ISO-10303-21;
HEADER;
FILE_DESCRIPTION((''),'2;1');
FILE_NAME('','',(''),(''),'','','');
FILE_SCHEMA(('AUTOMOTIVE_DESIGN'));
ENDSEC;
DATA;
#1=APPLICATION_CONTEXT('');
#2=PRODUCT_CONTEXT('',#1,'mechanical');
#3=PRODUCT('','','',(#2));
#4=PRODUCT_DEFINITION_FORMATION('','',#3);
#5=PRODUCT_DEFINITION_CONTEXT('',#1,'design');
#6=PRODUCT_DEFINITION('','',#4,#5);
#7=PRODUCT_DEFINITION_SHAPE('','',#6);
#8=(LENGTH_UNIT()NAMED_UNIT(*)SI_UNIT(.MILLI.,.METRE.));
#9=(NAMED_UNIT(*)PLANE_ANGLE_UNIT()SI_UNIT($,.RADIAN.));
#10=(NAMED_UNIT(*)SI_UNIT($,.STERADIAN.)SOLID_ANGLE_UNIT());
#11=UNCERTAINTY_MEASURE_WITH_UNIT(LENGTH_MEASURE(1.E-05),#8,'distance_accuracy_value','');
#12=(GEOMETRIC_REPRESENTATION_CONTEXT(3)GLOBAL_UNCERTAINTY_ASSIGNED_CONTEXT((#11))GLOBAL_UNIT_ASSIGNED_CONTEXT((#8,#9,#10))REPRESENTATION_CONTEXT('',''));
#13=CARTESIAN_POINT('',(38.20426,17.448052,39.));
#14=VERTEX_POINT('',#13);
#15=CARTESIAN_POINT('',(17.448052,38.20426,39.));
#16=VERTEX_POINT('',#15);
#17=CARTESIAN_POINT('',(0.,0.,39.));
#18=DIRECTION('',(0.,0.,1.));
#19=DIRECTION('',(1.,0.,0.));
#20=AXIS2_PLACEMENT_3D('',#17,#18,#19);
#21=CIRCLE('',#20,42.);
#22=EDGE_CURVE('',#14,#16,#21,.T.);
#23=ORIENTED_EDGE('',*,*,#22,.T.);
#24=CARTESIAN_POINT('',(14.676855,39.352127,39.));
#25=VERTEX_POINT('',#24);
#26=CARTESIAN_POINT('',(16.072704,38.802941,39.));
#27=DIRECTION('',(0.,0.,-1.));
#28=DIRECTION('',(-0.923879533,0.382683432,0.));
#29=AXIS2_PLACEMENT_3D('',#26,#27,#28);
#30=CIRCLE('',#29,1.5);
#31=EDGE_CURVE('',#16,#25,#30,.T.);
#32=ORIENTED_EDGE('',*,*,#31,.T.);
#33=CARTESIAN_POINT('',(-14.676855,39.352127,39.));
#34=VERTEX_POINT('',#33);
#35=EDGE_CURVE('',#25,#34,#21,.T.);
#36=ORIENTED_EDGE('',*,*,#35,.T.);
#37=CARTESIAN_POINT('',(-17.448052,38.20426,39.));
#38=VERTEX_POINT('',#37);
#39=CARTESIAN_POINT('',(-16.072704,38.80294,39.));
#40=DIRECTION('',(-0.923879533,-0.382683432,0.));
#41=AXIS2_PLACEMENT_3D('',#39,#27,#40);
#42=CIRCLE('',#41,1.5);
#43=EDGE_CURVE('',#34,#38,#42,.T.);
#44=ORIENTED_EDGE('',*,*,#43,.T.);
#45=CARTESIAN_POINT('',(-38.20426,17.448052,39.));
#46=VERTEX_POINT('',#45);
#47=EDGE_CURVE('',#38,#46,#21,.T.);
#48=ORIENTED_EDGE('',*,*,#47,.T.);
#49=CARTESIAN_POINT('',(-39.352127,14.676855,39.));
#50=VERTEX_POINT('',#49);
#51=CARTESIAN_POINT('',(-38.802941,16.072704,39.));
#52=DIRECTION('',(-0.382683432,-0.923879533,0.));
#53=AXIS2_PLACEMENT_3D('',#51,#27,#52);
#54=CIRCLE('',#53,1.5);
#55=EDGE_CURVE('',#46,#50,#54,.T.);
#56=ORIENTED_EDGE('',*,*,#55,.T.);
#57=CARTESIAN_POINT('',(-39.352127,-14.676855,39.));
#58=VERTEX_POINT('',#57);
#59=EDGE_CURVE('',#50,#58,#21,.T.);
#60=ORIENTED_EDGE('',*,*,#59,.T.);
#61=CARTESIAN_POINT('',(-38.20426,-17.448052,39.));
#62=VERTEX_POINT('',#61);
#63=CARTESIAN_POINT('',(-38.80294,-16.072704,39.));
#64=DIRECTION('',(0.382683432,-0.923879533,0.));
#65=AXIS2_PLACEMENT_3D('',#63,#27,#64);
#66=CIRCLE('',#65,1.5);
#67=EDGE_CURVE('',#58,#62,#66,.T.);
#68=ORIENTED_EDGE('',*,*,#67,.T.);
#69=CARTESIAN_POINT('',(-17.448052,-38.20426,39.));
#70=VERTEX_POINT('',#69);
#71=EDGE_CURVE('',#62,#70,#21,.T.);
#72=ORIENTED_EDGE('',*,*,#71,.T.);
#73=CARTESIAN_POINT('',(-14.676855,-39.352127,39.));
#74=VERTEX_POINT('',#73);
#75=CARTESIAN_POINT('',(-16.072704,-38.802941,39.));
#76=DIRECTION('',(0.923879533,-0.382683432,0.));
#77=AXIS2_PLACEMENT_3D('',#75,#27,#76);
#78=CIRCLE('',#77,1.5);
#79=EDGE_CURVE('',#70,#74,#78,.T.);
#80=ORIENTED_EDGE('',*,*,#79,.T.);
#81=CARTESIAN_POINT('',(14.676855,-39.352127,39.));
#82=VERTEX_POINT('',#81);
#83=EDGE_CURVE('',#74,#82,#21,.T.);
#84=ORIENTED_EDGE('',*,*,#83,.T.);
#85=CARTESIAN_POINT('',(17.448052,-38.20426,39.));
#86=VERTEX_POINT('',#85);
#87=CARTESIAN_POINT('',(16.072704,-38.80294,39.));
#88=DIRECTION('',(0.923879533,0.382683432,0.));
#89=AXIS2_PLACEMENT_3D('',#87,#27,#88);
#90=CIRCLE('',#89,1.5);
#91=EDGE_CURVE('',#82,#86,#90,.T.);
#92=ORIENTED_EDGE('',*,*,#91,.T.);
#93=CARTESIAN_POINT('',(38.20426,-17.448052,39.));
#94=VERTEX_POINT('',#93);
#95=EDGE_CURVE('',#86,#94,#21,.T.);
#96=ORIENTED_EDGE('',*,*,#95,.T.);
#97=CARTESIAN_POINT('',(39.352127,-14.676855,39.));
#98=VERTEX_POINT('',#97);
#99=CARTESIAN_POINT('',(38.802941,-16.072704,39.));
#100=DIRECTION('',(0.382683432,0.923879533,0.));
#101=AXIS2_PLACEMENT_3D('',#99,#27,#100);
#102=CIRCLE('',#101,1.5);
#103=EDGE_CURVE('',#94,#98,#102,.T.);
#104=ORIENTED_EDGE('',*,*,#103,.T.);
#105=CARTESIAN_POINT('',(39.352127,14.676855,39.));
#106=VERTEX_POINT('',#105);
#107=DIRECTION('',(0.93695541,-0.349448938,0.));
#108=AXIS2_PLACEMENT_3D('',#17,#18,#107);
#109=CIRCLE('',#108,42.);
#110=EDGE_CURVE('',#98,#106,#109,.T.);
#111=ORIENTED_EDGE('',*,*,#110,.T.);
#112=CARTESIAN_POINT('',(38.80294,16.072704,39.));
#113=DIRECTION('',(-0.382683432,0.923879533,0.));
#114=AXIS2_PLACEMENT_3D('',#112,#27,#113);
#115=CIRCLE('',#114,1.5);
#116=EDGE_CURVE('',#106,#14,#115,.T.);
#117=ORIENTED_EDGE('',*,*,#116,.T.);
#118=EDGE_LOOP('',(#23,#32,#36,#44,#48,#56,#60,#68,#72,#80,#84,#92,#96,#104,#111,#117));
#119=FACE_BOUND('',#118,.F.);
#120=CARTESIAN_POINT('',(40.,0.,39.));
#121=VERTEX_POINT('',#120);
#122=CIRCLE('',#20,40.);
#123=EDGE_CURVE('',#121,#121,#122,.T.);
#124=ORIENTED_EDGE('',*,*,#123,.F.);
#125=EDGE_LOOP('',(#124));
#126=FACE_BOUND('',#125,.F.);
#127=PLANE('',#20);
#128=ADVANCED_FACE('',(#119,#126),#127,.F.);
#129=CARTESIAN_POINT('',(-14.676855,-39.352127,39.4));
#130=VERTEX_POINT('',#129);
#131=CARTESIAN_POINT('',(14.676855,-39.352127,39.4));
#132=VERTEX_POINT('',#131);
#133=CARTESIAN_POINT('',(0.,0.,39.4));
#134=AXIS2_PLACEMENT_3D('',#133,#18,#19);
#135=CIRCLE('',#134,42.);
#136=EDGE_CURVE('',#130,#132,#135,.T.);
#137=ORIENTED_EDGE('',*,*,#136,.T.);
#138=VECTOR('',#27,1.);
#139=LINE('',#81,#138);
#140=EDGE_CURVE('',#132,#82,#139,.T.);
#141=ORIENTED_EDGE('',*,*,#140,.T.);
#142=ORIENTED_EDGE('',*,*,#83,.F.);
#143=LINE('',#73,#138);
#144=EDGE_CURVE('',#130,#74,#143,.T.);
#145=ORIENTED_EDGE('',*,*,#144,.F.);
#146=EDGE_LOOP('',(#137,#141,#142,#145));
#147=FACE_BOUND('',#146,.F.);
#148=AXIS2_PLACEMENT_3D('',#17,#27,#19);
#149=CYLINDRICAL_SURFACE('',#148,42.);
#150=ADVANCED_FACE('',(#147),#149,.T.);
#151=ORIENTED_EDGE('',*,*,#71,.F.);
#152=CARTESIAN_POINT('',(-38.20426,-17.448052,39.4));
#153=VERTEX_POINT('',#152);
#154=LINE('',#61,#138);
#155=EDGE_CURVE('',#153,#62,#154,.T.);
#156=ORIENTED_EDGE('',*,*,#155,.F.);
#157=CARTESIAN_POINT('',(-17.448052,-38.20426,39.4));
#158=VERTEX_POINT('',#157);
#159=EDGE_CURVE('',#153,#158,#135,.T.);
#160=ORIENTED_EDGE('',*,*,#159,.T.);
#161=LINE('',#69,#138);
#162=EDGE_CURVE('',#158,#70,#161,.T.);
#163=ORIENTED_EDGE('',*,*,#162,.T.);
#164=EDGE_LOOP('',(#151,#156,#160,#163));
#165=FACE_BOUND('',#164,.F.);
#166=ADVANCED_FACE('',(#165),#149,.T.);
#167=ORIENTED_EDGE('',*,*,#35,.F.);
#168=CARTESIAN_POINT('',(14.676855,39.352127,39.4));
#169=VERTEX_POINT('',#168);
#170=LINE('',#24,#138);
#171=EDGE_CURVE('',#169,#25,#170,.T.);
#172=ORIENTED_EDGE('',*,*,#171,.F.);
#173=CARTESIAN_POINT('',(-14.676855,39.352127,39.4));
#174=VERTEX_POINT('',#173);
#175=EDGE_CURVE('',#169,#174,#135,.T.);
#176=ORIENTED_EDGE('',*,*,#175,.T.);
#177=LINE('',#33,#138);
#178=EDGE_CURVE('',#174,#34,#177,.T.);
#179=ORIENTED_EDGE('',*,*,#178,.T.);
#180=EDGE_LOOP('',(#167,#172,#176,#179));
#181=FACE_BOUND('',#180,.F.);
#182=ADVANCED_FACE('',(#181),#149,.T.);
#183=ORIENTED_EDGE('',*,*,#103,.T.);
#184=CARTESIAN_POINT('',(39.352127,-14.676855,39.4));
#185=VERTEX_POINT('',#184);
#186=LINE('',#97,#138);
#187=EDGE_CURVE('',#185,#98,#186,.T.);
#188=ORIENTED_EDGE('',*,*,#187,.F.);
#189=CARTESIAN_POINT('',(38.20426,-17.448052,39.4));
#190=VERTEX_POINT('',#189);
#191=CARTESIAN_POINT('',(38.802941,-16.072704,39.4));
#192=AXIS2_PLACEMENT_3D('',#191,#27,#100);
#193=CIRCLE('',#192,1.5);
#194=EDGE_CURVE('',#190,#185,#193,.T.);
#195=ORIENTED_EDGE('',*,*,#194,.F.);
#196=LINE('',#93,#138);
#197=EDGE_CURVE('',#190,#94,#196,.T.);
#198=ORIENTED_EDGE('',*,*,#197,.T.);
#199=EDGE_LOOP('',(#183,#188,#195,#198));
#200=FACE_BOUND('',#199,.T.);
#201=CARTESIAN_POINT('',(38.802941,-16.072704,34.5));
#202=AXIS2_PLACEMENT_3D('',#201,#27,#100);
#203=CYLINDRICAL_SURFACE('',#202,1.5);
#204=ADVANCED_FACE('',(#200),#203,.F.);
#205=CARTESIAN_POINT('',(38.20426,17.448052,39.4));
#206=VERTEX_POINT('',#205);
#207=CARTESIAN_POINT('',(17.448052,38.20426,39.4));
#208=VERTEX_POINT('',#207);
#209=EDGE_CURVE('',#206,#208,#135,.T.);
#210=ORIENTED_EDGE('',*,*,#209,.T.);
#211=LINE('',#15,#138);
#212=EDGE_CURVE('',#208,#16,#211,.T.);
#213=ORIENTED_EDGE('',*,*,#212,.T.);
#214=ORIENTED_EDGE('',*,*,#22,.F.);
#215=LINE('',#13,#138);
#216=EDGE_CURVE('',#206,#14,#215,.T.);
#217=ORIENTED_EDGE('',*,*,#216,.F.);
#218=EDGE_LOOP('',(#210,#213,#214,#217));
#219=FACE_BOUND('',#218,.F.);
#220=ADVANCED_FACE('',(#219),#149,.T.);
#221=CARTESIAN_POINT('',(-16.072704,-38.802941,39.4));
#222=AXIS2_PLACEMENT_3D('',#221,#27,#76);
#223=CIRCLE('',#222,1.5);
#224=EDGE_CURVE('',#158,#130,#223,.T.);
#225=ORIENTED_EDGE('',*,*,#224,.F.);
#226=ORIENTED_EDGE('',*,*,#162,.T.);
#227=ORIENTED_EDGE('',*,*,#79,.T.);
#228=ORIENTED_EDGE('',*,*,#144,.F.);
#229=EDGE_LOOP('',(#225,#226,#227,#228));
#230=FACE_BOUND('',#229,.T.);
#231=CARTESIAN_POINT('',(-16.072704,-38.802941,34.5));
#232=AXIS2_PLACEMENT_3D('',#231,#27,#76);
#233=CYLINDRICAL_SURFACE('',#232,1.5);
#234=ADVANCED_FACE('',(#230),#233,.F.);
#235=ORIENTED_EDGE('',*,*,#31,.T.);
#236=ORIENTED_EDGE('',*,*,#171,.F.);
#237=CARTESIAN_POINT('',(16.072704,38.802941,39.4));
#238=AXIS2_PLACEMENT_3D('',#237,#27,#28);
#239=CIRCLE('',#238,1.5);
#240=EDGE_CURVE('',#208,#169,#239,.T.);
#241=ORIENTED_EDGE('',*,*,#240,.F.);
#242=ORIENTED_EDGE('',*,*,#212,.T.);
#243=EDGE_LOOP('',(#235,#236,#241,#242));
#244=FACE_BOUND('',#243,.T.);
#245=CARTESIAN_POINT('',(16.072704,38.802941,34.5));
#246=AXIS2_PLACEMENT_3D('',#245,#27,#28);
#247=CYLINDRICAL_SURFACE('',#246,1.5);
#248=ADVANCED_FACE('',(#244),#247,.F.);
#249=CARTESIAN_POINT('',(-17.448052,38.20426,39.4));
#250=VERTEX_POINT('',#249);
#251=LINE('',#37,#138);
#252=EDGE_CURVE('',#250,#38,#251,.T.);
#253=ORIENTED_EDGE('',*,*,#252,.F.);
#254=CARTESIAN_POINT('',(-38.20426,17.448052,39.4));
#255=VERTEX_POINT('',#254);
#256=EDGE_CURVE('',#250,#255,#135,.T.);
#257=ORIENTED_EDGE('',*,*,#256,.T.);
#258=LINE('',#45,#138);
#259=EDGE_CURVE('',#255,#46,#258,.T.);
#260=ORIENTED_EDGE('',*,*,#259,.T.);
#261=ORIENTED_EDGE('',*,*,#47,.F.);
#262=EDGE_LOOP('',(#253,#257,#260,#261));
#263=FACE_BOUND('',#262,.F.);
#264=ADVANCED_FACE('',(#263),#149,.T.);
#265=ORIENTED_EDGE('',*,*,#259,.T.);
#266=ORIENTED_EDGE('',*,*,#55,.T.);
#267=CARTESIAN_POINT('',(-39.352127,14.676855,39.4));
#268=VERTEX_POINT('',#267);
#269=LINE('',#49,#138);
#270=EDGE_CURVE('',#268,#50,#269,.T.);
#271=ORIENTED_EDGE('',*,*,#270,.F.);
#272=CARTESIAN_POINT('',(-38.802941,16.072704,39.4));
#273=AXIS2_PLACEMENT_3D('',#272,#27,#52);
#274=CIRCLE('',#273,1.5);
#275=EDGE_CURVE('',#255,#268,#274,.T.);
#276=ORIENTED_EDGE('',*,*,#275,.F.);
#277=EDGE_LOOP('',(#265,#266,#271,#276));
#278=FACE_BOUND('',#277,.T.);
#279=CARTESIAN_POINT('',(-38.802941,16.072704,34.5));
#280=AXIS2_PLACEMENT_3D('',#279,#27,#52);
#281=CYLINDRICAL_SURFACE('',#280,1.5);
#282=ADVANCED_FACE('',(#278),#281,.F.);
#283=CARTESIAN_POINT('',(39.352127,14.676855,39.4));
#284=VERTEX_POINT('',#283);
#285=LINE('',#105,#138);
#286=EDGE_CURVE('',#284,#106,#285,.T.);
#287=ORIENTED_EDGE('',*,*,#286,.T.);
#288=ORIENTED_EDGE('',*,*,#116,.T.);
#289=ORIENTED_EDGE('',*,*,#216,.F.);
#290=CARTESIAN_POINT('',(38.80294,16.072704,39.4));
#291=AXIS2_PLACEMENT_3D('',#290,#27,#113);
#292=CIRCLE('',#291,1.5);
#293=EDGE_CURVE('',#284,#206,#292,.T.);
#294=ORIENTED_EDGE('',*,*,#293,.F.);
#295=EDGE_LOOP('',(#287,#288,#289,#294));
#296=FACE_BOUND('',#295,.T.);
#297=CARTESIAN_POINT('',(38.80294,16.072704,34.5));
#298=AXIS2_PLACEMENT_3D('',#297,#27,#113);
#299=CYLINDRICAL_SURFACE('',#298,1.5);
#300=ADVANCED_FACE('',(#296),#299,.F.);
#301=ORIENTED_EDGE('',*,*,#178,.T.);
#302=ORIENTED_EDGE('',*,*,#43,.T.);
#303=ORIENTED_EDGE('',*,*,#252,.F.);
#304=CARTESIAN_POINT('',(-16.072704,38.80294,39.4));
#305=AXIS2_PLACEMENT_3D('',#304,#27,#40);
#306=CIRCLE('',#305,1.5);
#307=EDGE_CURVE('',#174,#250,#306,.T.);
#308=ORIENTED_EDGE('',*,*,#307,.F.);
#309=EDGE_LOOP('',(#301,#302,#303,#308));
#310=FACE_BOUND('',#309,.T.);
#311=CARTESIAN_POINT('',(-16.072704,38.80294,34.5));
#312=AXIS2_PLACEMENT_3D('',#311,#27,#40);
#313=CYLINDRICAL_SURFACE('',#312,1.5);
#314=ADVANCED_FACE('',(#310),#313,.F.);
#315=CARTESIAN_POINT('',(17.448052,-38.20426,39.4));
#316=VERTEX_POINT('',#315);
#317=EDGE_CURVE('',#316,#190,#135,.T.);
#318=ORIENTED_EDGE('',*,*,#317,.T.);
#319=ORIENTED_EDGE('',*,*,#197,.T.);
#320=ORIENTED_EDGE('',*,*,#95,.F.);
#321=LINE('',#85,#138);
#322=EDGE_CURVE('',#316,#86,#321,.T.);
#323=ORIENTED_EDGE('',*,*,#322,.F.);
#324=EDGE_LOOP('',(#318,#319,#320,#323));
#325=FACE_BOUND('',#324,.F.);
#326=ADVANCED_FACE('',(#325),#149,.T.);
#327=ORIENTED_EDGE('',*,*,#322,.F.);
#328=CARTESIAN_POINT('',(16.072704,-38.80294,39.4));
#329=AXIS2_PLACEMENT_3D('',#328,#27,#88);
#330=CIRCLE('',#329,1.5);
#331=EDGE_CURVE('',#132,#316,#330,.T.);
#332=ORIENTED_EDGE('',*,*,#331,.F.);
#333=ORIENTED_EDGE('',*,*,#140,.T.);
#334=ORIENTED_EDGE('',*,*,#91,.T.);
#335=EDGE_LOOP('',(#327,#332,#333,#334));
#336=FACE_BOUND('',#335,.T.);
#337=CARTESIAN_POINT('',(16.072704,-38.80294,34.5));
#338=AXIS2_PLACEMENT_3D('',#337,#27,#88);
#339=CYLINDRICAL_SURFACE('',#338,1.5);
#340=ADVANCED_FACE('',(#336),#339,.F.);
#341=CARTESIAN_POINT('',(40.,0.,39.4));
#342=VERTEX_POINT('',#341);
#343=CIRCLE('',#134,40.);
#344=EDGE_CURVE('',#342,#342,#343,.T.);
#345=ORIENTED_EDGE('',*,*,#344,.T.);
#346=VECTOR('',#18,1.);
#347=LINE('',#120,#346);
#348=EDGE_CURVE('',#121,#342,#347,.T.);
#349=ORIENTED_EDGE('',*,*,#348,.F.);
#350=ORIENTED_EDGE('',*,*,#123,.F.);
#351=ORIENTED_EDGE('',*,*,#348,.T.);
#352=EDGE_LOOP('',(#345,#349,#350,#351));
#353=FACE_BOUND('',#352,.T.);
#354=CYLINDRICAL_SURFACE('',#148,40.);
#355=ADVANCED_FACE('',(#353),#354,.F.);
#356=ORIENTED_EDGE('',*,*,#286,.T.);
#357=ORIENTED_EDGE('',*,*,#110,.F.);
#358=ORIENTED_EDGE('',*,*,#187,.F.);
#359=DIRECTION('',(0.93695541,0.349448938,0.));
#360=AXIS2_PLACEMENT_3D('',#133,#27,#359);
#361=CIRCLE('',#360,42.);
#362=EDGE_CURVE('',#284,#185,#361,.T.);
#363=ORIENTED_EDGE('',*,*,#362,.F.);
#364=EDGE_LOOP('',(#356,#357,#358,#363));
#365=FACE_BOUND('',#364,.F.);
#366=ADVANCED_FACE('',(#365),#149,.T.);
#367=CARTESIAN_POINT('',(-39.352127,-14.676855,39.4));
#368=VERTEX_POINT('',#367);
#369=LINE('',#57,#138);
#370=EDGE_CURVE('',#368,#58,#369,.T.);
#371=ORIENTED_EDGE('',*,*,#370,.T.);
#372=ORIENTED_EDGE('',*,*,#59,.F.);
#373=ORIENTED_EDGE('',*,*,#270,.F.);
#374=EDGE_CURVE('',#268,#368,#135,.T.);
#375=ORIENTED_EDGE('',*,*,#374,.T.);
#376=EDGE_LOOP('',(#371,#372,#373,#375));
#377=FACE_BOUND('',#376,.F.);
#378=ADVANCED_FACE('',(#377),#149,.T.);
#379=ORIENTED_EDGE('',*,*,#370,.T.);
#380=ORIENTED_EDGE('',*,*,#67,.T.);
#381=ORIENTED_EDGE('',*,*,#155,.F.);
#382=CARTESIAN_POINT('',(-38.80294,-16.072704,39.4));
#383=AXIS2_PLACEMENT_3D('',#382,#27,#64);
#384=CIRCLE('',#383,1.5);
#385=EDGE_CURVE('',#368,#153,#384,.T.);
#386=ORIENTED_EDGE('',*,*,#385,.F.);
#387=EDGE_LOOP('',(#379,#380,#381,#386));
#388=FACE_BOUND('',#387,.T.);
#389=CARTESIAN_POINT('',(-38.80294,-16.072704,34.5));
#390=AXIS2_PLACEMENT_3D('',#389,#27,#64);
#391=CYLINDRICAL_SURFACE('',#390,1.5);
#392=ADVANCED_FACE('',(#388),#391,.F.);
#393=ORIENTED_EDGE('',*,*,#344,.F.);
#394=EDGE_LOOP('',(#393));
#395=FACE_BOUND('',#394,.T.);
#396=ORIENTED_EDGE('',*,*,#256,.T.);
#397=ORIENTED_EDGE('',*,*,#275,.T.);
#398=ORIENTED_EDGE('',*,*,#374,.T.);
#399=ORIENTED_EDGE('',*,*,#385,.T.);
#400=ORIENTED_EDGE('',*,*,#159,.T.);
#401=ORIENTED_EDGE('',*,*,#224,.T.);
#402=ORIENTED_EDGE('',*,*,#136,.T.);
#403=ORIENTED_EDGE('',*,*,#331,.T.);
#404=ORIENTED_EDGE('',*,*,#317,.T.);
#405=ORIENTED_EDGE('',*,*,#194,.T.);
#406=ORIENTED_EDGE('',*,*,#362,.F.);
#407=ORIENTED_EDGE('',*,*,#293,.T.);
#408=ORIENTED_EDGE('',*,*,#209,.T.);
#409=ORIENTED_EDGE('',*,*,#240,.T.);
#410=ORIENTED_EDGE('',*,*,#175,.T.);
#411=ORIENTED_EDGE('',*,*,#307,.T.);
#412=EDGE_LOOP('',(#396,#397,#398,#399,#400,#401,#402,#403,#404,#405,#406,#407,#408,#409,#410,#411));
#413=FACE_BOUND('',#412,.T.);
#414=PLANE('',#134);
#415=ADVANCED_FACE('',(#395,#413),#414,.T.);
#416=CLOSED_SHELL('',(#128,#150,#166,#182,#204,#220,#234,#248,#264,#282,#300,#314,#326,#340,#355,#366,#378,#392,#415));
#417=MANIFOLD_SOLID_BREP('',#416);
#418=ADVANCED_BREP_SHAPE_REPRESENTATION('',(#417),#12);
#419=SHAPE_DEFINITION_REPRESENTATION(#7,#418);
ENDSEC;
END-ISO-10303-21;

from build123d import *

# Parameters (mm, degrees)
CYLINDER1506_R               = 1.5
CYLINDER1506_DEPTH           = 32
CYLINDER1506_PLACEMENT_ANGLE = 45
CYLINDER1509_R               = 1.5
CYLINDER1509_DEPTH           = 32
CYLINDER1510_R               = 1.5
CYLINDER1510_DEPTH           = 32
CYLINDER1510_PLACEMENT_ANGLE = 135
CYLINDER1511_R               = 1.5
CYLINDER1511_DEPTH           = 32
CYLINDER1508_R               = 1.5
CYLINDER1508_DEPTH           = 32
CYLINDER1508_PLACEMENT_ANGLE = 225
CYLINDER1512_R               = 1.5
CYLINDER1512_DEPTH           = 32
CYLINDER1505_R               = 1.5
CYLINDER1505_DEPTH           = 32
CYLINDER1505_PLACEMENT_ANGLE = 45
CYLINDER1504_R               = 1.5
CYLINDER1504_DEPTH           = 32
COMPOUND1000_PLACEMENT_ANGLE = 22.5
TUBE139_R                    = 42
TUBE139_R_2                  = 40
TUBE139_DEPTH                = 0.4


with BuildPart() as v_lec1506:
    # Cylinder1506 → Cylinder1506 (new body)
    with BuildSketch(Plane.XY):
        Circle(CYLINDER1506_R)
    extrude(amount=CYLINDER1506_DEPTH)


with BuildPart() as v_lec1506_1:
    # Cylinder1506 placement: moved
    add(v_lec1506.part.moved(Location((29.698485, -29.698485, 33.5))).rotate(Axis((29.698485, -29.698485, 33.5), (0, 0, 1)), CYLINDER1506_PLACEMENT_ANGLE))


with BuildPart() as v_lec1509:
    # Cylinder1509 → Cylinder1509 (new body)
    with BuildSketch(Plane(origin=(42, 0, 33.5), x_dir=(0, 1, 0), z_dir=(0, 0, 1))):
        Circle(CYLINDER1509_R)
    extrude(amount=CYLINDER1509_DEPTH)


with BuildPart() as v_lec1510:
    # Cylinder1510 → Cylinder1510 (new body)
    with BuildSketch(Plane.XY):
        Circle(CYLINDER1510_R)
    extrude(amount=CYLINDER1510_DEPTH)


with BuildPart() as v_lec1510_1:
    # Cylinder1510 placement: moved
    add(v_lec1510.part.moved(Location((29.698485, 29.698485, 33.5))).rotate(Axis((29.698485, 29.698485, 33.5), (0, 0, 1)), CYLINDER1510_PLACEMENT_ANGLE))


with BuildPart() as v_lec1511:
    # Cylinder1511 → Cylinder1511 (new body)
    with BuildSketch(Plane(origin=(0, 42, 33.5), x_dir=(-1, 0, 0), z_dir=(0, 0, 1))):
        Circle(CYLINDER1511_R)
    extrude(amount=CYLINDER1511_DEPTH)


with BuildPart() as v_lec1508:
    # Cylinder1508 → Cylinder1508 (new body)
    with BuildSketch(Plane.XY):
        Circle(CYLINDER1508_R)
    extrude(amount=CYLINDER1508_DEPTH)


with BuildPart() as v_lec1508_1:
    # Cylinder1508 placement: moved
    add(v_lec1508.part.moved(Location((-29.698485, 29.698485, 33.5))).rotate(Axis((-29.698485, 29.698485, 33.5), (0, 0, 1)), CYLINDER1508_PLACEMENT_ANGLE))


with BuildPart() as v_lec1512:
    # Cylinder1512 → Cylinder1512 (new body)
    with BuildSketch(Plane(origin=(-42, 0, 33.5), x_dir=(0, -1, 0), z_dir=(0, 0, 1))):
        Circle(CYLINDER1512_R)
    extrude(amount=CYLINDER1512_DEPTH)


with BuildPart() as v_lec1505:
    # Cylinder1505 → Cylinder1505 (new body)
    with BuildSketch(Plane.XY):
        Circle(CYLINDER1505_R)
    extrude(amount=CYLINDER1505_DEPTH)


with BuildPart() as v_lec1505_1:
    # Cylinder1505 placement: moved
    add(v_lec1505.part.moved(Location((-29.698485, -29.698485, 33.5))).rotate(Axis((-29.698485, -29.698485, 33.5), (0, 0, -1)), CYLINDER1505_PLACEMENT_ANGLE))


with BuildPart() as compound1000:
    # Cylinder1504 → Cylinder1504 (new body)
    with BuildSketch(Plane(origin=(0, -42, 33.5), x_dir=(1, 0, 0), z_dir=(0, 0, 1))):
        Circle(CYLINDER1504_R)
    extrude(amount=CYLINDER1504_DEPTH)

    # Compound1000: union Válec1506, Válec1509, Válec1510, Válec1511, Válec1508, Válec1512, Válec1505
    add(v_lec1506_1.part)
    add(v_lec1509.part)
    add(v_lec1510_1.part)
    add(v_lec1511.part)
    add(v_lec1508_1.part)
    add(v_lec1512.part)
    add(v_lec1505_1.part)


with BuildPart() as compound1000_1:
    # Compound1000 placement: moved
    add(compound1000.part.rotate(Axis((0, 0, 0), (0, 0, 1)), COMPOUND1000_PLACEMENT_ANGLE))


with BuildPart() as cut537:
    # Tube139 → Tube139 (new body)
    with BuildSketch(Plane.XY.offset(38)):
        Circle(TUBE139_R)
        Circle(TUBE139_R_2, mode=Mode.SUBTRACT)
    extrude(amount=TUBE139_DEPTH)

    # Cut537: cut Compound1000
    add(compound1000_1.part, mode=Mode.SUBTRACT)


with BuildPart() as cut537_1:
    # Cut537 placement: moved
    add(cut537.part.moved(Location((0, 0, 1))))


solid = cut537_1.part
